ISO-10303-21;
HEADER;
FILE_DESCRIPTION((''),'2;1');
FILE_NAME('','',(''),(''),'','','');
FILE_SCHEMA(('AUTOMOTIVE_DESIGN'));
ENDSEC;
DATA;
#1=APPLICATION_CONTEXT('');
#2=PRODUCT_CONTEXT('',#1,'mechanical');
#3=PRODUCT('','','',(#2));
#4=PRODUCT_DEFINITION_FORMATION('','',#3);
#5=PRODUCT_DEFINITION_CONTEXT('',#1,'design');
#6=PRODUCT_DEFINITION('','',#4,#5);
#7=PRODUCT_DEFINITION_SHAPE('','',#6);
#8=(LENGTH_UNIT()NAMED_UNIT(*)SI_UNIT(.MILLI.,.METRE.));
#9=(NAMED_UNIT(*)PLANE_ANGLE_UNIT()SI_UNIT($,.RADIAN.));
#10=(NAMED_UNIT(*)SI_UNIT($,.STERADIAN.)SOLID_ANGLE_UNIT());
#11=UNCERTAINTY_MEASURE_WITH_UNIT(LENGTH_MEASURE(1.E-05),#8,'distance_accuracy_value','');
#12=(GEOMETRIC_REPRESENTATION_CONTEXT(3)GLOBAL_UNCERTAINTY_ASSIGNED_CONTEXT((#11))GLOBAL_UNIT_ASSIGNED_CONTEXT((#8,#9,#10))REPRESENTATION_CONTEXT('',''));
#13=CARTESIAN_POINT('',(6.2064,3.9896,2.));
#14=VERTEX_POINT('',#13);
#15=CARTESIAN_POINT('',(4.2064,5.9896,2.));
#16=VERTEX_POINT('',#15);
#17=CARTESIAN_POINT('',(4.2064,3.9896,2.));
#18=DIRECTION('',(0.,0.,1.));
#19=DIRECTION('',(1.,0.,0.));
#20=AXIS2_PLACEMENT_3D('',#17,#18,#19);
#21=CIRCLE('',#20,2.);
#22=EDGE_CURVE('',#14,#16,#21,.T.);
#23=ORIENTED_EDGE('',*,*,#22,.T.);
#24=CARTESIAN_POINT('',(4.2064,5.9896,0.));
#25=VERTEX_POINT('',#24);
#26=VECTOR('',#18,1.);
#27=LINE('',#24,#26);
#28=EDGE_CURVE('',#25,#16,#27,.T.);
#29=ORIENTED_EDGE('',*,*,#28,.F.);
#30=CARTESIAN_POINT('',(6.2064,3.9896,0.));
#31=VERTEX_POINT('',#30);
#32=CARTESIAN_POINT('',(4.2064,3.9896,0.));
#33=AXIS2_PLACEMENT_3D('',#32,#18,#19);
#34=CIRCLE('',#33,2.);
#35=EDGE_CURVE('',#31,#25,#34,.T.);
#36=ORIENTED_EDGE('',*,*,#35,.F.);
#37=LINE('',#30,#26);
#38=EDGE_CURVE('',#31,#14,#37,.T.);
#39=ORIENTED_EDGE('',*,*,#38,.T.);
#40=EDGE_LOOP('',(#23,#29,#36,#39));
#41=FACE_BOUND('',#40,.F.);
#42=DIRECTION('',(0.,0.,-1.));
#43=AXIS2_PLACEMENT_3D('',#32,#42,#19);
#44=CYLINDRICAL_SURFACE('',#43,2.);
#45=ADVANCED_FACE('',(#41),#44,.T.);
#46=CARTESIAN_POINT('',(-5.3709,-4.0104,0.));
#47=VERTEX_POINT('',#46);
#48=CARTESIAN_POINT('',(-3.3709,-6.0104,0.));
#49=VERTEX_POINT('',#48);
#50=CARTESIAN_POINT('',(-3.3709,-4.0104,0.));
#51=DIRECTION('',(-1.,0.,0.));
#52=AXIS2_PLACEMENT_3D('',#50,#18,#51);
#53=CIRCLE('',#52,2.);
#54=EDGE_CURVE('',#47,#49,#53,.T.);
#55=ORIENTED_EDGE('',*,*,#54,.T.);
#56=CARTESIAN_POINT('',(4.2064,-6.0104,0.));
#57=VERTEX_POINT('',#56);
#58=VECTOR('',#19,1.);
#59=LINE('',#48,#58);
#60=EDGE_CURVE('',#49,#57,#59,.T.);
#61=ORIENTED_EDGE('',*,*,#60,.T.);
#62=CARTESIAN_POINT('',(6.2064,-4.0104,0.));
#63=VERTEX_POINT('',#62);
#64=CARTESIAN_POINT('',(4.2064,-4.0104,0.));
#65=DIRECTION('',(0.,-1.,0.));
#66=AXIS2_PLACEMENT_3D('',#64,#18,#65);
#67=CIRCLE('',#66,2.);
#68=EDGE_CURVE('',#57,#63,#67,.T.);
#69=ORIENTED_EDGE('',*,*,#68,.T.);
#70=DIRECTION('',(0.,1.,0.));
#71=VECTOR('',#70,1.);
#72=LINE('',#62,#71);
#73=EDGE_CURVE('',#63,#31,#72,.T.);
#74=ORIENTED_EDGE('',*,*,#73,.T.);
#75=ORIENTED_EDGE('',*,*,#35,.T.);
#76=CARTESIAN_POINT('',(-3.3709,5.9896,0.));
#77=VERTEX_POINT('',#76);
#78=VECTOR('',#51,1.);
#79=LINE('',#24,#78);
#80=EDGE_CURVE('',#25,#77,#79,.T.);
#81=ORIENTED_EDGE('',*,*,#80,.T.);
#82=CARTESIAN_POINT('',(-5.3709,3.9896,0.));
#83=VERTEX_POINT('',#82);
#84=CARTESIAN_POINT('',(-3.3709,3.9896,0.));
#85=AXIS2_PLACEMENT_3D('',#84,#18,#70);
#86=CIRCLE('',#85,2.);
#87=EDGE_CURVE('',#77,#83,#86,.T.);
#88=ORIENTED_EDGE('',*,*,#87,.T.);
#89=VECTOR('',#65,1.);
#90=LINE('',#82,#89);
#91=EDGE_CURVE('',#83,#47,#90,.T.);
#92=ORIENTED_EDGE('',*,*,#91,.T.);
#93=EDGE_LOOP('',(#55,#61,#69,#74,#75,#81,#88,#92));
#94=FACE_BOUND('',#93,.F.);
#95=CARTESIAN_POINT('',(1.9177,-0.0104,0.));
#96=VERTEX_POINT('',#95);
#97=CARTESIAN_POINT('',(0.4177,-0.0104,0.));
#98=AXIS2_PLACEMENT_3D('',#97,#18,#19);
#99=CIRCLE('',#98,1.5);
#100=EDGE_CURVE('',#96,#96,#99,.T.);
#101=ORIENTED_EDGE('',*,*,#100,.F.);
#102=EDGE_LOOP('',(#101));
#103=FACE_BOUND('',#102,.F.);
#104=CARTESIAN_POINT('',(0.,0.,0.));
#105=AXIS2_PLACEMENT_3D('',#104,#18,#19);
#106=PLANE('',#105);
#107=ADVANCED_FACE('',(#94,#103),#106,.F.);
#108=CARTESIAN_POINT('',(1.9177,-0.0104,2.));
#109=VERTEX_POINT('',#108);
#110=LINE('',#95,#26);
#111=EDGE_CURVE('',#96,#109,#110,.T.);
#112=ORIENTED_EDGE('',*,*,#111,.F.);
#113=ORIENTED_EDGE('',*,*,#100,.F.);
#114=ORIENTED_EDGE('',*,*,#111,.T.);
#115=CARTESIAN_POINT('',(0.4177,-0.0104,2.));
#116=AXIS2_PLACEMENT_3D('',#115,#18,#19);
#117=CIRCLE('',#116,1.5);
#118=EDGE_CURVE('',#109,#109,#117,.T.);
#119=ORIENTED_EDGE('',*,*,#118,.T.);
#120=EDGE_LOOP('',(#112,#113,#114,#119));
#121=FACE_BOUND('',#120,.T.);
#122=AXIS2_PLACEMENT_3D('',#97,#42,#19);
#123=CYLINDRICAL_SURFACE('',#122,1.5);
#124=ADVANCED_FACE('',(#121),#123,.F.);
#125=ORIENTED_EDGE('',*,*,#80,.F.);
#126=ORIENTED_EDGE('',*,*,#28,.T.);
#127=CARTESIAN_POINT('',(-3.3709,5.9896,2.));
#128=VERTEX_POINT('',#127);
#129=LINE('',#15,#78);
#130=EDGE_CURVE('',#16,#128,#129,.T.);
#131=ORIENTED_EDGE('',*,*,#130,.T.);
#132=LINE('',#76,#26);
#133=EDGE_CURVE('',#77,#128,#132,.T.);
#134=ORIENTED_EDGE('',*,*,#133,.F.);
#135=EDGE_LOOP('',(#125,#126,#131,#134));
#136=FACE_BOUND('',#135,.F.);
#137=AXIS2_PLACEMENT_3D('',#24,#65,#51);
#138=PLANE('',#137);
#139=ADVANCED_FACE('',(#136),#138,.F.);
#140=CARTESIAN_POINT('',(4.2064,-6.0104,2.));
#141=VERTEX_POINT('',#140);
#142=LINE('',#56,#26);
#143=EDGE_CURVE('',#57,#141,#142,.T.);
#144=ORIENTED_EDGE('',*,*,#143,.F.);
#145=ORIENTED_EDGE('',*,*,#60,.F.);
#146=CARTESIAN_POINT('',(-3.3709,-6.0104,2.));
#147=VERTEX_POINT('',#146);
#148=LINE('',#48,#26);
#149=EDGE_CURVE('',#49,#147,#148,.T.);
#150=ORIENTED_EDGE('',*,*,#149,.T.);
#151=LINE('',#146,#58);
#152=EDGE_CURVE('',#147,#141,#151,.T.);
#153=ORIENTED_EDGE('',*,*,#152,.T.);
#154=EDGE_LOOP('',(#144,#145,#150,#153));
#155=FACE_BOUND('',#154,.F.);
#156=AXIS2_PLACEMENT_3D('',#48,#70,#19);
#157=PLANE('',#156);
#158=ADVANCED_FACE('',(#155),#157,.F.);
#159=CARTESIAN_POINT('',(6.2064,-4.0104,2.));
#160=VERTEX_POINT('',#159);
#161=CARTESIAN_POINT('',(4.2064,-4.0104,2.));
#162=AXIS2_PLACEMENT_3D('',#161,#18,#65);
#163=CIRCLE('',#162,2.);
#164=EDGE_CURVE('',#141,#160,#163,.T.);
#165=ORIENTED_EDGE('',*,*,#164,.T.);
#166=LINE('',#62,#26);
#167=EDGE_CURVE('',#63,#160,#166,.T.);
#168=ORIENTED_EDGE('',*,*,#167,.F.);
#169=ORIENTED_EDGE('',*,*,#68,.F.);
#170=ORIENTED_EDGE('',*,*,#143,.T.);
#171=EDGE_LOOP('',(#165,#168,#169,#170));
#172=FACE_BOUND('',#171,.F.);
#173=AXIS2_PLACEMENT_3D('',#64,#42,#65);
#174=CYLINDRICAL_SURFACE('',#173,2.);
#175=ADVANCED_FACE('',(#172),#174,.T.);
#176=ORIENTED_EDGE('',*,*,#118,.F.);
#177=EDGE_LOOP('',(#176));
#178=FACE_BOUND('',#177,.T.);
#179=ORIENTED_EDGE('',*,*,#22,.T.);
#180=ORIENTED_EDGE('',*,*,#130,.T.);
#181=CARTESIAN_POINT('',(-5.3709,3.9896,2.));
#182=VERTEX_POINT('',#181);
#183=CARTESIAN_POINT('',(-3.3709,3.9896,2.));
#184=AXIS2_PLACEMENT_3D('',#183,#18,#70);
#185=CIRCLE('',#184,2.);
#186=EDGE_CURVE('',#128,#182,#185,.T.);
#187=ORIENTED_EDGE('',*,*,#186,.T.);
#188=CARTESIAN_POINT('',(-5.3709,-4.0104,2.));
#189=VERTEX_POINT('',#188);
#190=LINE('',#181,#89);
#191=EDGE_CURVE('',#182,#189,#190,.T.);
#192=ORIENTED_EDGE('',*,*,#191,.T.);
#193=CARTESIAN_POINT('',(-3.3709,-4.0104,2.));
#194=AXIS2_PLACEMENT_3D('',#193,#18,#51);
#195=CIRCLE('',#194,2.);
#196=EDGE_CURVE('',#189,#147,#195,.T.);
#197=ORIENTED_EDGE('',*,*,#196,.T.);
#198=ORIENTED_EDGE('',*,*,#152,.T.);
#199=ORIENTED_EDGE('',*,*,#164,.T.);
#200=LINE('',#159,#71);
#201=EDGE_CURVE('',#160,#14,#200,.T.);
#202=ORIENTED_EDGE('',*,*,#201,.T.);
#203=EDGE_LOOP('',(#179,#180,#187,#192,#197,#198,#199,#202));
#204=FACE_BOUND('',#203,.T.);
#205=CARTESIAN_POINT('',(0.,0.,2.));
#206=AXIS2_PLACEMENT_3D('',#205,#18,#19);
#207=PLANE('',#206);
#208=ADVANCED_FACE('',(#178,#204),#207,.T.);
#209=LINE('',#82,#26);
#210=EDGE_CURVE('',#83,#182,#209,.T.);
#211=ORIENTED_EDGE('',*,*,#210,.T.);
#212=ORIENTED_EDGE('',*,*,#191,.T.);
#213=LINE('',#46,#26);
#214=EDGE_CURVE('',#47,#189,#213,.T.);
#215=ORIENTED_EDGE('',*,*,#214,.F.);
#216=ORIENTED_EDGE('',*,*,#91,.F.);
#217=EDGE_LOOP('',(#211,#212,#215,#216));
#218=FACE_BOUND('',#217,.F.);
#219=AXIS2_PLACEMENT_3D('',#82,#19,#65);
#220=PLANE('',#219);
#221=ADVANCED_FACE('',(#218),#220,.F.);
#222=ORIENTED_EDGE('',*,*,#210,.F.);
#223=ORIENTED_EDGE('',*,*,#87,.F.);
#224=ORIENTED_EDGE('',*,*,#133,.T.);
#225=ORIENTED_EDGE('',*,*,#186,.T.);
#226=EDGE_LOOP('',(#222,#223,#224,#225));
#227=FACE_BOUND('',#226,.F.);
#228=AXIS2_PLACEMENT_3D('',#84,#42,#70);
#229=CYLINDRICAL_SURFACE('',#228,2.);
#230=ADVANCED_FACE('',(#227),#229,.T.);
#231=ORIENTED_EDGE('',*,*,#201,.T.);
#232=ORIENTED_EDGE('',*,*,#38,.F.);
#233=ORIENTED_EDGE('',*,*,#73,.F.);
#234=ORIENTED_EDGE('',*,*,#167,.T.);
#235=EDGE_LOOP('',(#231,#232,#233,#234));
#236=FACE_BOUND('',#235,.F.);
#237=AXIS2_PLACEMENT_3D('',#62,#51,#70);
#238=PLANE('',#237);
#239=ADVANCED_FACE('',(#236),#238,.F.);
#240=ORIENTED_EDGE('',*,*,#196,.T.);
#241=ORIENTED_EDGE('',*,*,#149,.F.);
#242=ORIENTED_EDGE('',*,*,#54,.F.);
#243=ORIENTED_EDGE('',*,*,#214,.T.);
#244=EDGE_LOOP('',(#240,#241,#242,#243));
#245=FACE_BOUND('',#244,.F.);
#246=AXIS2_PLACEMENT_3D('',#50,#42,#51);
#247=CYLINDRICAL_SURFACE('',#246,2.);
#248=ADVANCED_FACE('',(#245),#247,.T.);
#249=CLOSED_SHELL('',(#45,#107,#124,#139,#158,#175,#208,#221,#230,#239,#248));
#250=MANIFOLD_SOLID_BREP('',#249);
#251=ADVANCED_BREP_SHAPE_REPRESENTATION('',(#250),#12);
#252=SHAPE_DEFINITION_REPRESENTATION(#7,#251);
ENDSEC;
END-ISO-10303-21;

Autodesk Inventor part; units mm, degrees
ref_plane "YZ Plane" through (0, 0, 0) normal (1, 0, 0) x (0, 1, 0)
ref_plane "XZ Plane" through (0, 0, 0) normal (0, 1, 0) x (-1, 0, 0)
ref_plane "XY Plane" through (0, 0, 0) normal (0, 0, 1) x (1, 0, 0)
sketch "washer_sketch" plane through (0, 0, 0) normal (0, 0, 1) x (1, 0, 0)
  line L0 (-5.3709, -5.3107) -> (-5.3709, 4.5904) construction
  line L1 (0.3709, -5.3107) -> (-5.3709, -5.3107) construction
  arc A0 (0.3709, -5.3107) -> (5.3709, -0.3107) centre (0.3709, -0.3107) ccw construction
  arc A1 (5.3709, -0.3107) -> (-3.0036, 4.5904) centre (-0.2505, -0.3107) ccw construction
  line L2 (-5.3709, 4.5904) -> (-3.0036, 4.5904) construction
  circle A2 centre (0.4177, -0.0104) radius 3.55 construction
  circle A3 centre (0.4177, -0.0104) radius 3.55 construction
  circle A4 centre (0.4177, -0.0104) radius 1.5 projected
  line L3 (4.2064, 5.9896) -> (-3.3709, 5.9896)
  line L4 (-5.3709, 3.9896) -> (-5.3709, -4.0104)
  line L5 (-3.3709, -6.0104) -> (4.2064, -6.0104)
  line L6 (6.2064, -4.0104) -> (6.2064, 3.9896)
  arc A5 (6.2064, 3.9896) -> (4.2064, 5.9896) centre (4.2064, 3.9896) ccw
  arc A6 (4.2064, -6.0104) -> (6.2064, -4.0104) centre (4.2064, -4.0104) ccw
  arc A7 (-5.3709, -4.0104) -> (-3.3709, -6.0104) centre (-3.3709, -4.0104) ccw
  arc A8 (-3.3709, 5.9896) -> (-5.3709, 3.9896) centre (-3.3709, 3.9896) ccw
  point P0 (0, 0)
  point P1 (6.2064, 5.9896)
  point P2 (-5.3709, 5.9896)
  point P3 (6.2064, -6.0104)
  dimension "d0" = 12
  dimension "d1" = 11.5773
  dimension "d2" = 5.7886
  dimension "d3" = 6
  dimension "d4" = 2
extrude "washer" add sketch "washer_sketch" along normal blind 2
equation "\"d1\" = 2 * d2"
equation "\"d3\" = 0.5 * d0"
properties part number "mount_linear_stepper_washer_b"
